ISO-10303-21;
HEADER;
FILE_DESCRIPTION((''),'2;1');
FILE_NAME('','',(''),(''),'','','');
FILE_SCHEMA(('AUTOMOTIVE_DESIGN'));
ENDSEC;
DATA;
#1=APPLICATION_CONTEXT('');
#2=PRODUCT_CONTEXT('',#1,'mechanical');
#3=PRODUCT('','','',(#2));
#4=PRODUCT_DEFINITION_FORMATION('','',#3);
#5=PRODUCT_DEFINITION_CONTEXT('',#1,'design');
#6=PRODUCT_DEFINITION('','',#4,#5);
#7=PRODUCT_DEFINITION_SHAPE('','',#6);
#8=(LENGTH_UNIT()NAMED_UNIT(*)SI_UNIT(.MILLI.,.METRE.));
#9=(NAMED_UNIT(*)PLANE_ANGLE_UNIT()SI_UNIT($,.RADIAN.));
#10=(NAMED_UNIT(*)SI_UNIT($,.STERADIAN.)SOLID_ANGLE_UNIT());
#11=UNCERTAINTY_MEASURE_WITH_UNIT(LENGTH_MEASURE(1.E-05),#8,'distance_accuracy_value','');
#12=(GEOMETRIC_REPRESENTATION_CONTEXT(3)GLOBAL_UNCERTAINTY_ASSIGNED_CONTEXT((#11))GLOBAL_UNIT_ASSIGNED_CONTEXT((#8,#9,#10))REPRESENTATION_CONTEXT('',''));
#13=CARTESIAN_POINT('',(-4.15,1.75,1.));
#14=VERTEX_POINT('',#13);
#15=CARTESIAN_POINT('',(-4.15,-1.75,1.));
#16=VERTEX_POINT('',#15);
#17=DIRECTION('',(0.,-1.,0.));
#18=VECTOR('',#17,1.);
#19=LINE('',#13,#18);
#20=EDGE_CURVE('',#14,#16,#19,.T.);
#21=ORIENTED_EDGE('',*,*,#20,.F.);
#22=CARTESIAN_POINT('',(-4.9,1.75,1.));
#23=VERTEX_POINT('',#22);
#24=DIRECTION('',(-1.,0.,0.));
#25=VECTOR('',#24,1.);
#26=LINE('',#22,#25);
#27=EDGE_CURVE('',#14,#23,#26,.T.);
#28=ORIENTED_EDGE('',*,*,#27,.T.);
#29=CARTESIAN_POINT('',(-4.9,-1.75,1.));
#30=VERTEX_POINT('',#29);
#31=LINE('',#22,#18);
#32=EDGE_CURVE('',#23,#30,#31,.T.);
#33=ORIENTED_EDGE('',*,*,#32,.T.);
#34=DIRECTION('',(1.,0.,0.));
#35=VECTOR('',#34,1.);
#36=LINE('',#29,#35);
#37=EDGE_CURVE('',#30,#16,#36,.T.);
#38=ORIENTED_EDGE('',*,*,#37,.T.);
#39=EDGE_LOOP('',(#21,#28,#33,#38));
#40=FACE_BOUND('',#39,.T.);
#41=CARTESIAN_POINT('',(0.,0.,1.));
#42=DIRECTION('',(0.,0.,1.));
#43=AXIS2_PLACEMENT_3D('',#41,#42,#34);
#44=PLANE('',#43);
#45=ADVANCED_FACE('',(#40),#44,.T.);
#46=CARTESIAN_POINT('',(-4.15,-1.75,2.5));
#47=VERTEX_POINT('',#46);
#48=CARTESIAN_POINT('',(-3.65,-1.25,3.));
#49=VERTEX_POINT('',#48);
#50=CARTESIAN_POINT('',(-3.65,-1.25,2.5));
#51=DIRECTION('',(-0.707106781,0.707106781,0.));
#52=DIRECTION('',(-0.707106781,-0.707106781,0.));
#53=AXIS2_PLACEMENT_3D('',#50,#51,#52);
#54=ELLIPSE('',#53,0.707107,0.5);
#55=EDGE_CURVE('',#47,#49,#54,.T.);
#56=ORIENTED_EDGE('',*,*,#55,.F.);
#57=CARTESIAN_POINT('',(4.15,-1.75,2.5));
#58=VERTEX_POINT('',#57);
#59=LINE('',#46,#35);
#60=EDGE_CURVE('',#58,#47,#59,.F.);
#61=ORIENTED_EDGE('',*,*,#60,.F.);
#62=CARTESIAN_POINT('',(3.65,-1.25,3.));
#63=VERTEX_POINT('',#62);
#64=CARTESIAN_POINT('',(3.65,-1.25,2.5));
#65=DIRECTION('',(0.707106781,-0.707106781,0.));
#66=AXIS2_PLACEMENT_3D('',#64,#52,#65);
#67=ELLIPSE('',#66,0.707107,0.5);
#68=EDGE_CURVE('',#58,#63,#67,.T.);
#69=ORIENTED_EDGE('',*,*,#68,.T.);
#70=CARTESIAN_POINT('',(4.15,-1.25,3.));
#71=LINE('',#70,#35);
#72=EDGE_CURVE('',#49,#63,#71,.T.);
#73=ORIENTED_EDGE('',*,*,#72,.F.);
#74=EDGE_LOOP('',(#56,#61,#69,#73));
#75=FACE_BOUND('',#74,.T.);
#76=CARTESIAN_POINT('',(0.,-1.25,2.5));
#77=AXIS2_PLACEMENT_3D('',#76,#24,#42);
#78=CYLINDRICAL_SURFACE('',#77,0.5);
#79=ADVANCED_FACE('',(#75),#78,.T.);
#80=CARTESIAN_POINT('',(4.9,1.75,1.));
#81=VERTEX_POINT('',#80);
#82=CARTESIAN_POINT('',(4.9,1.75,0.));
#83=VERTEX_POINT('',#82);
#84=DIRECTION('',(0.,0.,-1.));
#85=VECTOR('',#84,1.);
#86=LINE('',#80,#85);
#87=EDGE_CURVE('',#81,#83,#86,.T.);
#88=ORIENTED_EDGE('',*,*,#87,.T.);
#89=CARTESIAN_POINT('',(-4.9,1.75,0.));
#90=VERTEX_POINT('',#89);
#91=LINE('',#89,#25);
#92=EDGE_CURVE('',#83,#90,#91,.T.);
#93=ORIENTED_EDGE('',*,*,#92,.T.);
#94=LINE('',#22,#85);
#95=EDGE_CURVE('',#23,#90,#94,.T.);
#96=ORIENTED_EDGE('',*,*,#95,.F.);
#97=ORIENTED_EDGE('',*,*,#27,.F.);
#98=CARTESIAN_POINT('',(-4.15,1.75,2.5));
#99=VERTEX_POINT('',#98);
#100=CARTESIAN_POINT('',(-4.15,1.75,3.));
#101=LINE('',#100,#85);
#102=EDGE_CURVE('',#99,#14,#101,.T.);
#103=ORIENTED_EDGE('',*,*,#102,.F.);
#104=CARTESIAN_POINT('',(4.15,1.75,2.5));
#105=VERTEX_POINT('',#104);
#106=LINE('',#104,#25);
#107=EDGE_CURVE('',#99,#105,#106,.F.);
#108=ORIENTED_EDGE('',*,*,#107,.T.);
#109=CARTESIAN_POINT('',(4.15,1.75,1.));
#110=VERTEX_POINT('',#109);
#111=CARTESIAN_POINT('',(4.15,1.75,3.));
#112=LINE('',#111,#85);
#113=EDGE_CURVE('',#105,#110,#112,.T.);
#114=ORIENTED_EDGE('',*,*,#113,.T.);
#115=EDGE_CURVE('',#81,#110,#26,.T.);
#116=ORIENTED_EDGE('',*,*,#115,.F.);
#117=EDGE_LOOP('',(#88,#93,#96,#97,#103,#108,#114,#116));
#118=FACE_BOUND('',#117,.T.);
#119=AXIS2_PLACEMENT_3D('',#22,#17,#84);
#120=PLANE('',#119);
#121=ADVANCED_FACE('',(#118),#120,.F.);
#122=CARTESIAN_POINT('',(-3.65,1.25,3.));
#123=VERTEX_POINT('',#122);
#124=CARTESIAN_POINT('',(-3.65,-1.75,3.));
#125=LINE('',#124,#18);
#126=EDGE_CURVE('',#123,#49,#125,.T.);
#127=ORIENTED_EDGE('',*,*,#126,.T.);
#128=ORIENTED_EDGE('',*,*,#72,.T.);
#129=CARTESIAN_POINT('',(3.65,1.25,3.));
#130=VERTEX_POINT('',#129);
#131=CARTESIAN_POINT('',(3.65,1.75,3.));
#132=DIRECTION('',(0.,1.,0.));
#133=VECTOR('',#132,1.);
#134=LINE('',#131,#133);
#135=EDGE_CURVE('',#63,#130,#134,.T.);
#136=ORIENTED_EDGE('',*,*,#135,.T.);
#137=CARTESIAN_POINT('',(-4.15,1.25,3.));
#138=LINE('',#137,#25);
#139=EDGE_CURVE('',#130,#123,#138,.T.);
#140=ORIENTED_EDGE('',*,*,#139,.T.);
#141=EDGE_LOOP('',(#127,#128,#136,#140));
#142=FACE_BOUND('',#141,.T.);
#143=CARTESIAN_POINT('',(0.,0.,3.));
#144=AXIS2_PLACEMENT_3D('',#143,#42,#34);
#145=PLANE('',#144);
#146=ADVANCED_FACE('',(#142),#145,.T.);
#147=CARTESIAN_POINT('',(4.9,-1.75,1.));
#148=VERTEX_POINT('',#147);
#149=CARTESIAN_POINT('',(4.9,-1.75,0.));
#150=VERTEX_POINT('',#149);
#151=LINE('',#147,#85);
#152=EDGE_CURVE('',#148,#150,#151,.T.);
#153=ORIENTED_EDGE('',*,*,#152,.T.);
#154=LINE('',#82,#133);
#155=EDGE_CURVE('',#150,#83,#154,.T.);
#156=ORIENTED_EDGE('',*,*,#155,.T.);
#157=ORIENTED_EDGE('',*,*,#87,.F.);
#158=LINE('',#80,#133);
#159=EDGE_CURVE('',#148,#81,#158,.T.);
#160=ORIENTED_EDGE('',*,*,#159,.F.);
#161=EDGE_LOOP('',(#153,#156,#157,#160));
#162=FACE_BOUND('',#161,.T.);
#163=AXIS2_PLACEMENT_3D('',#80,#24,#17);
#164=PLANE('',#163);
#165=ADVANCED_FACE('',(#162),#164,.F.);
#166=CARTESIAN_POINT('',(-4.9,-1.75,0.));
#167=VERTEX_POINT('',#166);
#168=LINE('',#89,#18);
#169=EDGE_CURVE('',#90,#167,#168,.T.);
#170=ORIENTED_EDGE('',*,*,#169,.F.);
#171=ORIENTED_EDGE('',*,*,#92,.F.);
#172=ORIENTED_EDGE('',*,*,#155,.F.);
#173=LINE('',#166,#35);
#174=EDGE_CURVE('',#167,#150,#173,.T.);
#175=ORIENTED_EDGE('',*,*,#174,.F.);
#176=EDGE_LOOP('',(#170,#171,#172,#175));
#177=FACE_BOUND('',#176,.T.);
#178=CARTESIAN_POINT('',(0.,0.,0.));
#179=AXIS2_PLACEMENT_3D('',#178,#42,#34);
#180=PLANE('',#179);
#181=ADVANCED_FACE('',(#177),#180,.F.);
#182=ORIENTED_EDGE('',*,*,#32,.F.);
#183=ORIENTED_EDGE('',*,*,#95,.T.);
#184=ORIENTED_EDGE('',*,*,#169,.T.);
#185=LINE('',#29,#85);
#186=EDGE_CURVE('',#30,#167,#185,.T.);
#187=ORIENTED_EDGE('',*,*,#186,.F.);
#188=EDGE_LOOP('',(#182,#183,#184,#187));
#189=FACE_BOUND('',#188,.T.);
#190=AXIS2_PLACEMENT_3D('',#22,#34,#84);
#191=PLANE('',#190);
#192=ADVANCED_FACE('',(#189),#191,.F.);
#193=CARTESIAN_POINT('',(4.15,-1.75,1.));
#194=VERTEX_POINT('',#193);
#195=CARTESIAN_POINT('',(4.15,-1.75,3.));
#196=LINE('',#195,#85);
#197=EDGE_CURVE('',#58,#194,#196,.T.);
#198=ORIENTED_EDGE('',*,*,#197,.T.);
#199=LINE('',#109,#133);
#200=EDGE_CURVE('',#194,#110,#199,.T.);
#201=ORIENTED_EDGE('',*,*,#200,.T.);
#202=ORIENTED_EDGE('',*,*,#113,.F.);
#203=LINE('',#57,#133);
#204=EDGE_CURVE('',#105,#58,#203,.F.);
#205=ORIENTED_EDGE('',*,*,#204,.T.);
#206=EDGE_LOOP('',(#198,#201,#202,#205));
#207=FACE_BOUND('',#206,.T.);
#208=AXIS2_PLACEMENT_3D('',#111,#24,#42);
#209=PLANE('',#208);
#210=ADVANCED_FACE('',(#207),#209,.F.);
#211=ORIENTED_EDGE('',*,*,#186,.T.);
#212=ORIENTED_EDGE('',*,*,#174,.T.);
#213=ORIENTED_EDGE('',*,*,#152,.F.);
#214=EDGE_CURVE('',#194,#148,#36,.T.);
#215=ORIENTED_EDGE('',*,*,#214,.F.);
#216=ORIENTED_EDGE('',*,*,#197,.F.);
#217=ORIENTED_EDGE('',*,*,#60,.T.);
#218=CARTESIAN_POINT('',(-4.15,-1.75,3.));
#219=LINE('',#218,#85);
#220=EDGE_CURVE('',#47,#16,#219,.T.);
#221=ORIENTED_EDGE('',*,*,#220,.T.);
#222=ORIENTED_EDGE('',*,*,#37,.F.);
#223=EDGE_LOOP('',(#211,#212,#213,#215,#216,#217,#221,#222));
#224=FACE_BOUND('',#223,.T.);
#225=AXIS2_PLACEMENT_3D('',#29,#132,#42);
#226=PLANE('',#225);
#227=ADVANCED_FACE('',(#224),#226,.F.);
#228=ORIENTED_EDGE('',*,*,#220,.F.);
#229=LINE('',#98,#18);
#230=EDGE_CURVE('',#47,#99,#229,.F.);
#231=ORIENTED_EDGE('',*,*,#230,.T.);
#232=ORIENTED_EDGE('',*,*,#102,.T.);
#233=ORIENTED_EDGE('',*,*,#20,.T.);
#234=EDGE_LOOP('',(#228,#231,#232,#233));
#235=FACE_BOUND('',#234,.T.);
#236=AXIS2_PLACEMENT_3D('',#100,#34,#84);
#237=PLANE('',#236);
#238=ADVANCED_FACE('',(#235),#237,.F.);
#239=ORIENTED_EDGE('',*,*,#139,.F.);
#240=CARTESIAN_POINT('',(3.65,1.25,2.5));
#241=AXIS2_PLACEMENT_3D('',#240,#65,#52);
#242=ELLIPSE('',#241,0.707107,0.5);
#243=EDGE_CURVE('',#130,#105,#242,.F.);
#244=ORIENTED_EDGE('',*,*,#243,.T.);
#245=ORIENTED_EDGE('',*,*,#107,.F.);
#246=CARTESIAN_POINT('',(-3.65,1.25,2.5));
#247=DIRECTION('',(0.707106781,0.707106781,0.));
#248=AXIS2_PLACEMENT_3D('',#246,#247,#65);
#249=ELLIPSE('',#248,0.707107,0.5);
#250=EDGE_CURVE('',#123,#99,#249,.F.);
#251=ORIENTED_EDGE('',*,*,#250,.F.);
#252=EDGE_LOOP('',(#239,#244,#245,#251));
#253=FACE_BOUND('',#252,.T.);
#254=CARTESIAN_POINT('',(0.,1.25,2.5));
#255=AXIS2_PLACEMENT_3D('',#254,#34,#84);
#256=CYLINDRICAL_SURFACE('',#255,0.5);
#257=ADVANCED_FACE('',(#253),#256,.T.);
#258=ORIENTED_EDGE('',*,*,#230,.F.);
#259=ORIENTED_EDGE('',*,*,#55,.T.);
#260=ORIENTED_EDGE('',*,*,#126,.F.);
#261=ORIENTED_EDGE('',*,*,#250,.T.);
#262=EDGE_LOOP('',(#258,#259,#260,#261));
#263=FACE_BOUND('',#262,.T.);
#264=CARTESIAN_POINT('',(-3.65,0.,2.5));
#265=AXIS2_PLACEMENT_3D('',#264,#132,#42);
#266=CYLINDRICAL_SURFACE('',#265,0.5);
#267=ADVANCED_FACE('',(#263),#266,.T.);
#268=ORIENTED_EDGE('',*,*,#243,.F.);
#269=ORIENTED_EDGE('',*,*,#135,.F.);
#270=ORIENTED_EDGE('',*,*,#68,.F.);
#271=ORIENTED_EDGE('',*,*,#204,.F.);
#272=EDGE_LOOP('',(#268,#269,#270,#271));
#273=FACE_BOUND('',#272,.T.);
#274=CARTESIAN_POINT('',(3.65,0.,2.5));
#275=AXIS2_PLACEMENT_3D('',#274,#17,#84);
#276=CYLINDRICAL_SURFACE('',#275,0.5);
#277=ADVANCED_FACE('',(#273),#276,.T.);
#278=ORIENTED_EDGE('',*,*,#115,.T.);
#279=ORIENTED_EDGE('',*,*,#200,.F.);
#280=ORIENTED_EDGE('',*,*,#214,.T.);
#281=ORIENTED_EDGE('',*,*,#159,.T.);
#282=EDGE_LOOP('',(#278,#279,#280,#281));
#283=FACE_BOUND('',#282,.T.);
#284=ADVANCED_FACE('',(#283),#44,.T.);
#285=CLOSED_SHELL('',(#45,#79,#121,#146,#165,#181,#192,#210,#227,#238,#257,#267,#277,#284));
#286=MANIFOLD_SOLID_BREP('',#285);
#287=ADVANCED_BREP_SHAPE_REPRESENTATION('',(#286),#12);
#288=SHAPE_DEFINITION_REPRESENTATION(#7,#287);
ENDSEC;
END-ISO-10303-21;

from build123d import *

# Parameters (mm, degrees)
SKETCH_1_W      = 9.8
SKETCH_1_H      = 3.5
EXTRUDE_1_DEPTH = 1
SKETCH_2_W      = 8.3
SKETCH_2_H      = 3.5
EXTRUDE_2_DEPTH = 2
FILLET_2_R      = 0.5


with BuildPart() as part:
    # 草图1 → 凸台-拉伸1 (new body)
    with BuildSketch(Plane.XY):
        Rectangle(SKETCH_1_W, SKETCH_1_H)
    extrude(amount=EXTRUDE_1_DEPTH)

    # 草图2 → 凸台-拉伸2 (add)
    with BuildSketch(Plane.XY.offset(1)):
        Rectangle(SKETCH_2_W, SKETCH_2_H)
    extrude(amount=EXTRUDE_2_DEPTH)

    # 圆角2
    fillet_2_edges = [part.edges().sort_by_distance(p)[0] for p in [
        (4.15, 0, 3),
        (0, 1.75, 3),
        (-4.15, 0, 3),
        (0, -1.75, 3),
    ]]
    fillet(fillet_2_edges, radius=FILLET_2_R)


solid = part.part
